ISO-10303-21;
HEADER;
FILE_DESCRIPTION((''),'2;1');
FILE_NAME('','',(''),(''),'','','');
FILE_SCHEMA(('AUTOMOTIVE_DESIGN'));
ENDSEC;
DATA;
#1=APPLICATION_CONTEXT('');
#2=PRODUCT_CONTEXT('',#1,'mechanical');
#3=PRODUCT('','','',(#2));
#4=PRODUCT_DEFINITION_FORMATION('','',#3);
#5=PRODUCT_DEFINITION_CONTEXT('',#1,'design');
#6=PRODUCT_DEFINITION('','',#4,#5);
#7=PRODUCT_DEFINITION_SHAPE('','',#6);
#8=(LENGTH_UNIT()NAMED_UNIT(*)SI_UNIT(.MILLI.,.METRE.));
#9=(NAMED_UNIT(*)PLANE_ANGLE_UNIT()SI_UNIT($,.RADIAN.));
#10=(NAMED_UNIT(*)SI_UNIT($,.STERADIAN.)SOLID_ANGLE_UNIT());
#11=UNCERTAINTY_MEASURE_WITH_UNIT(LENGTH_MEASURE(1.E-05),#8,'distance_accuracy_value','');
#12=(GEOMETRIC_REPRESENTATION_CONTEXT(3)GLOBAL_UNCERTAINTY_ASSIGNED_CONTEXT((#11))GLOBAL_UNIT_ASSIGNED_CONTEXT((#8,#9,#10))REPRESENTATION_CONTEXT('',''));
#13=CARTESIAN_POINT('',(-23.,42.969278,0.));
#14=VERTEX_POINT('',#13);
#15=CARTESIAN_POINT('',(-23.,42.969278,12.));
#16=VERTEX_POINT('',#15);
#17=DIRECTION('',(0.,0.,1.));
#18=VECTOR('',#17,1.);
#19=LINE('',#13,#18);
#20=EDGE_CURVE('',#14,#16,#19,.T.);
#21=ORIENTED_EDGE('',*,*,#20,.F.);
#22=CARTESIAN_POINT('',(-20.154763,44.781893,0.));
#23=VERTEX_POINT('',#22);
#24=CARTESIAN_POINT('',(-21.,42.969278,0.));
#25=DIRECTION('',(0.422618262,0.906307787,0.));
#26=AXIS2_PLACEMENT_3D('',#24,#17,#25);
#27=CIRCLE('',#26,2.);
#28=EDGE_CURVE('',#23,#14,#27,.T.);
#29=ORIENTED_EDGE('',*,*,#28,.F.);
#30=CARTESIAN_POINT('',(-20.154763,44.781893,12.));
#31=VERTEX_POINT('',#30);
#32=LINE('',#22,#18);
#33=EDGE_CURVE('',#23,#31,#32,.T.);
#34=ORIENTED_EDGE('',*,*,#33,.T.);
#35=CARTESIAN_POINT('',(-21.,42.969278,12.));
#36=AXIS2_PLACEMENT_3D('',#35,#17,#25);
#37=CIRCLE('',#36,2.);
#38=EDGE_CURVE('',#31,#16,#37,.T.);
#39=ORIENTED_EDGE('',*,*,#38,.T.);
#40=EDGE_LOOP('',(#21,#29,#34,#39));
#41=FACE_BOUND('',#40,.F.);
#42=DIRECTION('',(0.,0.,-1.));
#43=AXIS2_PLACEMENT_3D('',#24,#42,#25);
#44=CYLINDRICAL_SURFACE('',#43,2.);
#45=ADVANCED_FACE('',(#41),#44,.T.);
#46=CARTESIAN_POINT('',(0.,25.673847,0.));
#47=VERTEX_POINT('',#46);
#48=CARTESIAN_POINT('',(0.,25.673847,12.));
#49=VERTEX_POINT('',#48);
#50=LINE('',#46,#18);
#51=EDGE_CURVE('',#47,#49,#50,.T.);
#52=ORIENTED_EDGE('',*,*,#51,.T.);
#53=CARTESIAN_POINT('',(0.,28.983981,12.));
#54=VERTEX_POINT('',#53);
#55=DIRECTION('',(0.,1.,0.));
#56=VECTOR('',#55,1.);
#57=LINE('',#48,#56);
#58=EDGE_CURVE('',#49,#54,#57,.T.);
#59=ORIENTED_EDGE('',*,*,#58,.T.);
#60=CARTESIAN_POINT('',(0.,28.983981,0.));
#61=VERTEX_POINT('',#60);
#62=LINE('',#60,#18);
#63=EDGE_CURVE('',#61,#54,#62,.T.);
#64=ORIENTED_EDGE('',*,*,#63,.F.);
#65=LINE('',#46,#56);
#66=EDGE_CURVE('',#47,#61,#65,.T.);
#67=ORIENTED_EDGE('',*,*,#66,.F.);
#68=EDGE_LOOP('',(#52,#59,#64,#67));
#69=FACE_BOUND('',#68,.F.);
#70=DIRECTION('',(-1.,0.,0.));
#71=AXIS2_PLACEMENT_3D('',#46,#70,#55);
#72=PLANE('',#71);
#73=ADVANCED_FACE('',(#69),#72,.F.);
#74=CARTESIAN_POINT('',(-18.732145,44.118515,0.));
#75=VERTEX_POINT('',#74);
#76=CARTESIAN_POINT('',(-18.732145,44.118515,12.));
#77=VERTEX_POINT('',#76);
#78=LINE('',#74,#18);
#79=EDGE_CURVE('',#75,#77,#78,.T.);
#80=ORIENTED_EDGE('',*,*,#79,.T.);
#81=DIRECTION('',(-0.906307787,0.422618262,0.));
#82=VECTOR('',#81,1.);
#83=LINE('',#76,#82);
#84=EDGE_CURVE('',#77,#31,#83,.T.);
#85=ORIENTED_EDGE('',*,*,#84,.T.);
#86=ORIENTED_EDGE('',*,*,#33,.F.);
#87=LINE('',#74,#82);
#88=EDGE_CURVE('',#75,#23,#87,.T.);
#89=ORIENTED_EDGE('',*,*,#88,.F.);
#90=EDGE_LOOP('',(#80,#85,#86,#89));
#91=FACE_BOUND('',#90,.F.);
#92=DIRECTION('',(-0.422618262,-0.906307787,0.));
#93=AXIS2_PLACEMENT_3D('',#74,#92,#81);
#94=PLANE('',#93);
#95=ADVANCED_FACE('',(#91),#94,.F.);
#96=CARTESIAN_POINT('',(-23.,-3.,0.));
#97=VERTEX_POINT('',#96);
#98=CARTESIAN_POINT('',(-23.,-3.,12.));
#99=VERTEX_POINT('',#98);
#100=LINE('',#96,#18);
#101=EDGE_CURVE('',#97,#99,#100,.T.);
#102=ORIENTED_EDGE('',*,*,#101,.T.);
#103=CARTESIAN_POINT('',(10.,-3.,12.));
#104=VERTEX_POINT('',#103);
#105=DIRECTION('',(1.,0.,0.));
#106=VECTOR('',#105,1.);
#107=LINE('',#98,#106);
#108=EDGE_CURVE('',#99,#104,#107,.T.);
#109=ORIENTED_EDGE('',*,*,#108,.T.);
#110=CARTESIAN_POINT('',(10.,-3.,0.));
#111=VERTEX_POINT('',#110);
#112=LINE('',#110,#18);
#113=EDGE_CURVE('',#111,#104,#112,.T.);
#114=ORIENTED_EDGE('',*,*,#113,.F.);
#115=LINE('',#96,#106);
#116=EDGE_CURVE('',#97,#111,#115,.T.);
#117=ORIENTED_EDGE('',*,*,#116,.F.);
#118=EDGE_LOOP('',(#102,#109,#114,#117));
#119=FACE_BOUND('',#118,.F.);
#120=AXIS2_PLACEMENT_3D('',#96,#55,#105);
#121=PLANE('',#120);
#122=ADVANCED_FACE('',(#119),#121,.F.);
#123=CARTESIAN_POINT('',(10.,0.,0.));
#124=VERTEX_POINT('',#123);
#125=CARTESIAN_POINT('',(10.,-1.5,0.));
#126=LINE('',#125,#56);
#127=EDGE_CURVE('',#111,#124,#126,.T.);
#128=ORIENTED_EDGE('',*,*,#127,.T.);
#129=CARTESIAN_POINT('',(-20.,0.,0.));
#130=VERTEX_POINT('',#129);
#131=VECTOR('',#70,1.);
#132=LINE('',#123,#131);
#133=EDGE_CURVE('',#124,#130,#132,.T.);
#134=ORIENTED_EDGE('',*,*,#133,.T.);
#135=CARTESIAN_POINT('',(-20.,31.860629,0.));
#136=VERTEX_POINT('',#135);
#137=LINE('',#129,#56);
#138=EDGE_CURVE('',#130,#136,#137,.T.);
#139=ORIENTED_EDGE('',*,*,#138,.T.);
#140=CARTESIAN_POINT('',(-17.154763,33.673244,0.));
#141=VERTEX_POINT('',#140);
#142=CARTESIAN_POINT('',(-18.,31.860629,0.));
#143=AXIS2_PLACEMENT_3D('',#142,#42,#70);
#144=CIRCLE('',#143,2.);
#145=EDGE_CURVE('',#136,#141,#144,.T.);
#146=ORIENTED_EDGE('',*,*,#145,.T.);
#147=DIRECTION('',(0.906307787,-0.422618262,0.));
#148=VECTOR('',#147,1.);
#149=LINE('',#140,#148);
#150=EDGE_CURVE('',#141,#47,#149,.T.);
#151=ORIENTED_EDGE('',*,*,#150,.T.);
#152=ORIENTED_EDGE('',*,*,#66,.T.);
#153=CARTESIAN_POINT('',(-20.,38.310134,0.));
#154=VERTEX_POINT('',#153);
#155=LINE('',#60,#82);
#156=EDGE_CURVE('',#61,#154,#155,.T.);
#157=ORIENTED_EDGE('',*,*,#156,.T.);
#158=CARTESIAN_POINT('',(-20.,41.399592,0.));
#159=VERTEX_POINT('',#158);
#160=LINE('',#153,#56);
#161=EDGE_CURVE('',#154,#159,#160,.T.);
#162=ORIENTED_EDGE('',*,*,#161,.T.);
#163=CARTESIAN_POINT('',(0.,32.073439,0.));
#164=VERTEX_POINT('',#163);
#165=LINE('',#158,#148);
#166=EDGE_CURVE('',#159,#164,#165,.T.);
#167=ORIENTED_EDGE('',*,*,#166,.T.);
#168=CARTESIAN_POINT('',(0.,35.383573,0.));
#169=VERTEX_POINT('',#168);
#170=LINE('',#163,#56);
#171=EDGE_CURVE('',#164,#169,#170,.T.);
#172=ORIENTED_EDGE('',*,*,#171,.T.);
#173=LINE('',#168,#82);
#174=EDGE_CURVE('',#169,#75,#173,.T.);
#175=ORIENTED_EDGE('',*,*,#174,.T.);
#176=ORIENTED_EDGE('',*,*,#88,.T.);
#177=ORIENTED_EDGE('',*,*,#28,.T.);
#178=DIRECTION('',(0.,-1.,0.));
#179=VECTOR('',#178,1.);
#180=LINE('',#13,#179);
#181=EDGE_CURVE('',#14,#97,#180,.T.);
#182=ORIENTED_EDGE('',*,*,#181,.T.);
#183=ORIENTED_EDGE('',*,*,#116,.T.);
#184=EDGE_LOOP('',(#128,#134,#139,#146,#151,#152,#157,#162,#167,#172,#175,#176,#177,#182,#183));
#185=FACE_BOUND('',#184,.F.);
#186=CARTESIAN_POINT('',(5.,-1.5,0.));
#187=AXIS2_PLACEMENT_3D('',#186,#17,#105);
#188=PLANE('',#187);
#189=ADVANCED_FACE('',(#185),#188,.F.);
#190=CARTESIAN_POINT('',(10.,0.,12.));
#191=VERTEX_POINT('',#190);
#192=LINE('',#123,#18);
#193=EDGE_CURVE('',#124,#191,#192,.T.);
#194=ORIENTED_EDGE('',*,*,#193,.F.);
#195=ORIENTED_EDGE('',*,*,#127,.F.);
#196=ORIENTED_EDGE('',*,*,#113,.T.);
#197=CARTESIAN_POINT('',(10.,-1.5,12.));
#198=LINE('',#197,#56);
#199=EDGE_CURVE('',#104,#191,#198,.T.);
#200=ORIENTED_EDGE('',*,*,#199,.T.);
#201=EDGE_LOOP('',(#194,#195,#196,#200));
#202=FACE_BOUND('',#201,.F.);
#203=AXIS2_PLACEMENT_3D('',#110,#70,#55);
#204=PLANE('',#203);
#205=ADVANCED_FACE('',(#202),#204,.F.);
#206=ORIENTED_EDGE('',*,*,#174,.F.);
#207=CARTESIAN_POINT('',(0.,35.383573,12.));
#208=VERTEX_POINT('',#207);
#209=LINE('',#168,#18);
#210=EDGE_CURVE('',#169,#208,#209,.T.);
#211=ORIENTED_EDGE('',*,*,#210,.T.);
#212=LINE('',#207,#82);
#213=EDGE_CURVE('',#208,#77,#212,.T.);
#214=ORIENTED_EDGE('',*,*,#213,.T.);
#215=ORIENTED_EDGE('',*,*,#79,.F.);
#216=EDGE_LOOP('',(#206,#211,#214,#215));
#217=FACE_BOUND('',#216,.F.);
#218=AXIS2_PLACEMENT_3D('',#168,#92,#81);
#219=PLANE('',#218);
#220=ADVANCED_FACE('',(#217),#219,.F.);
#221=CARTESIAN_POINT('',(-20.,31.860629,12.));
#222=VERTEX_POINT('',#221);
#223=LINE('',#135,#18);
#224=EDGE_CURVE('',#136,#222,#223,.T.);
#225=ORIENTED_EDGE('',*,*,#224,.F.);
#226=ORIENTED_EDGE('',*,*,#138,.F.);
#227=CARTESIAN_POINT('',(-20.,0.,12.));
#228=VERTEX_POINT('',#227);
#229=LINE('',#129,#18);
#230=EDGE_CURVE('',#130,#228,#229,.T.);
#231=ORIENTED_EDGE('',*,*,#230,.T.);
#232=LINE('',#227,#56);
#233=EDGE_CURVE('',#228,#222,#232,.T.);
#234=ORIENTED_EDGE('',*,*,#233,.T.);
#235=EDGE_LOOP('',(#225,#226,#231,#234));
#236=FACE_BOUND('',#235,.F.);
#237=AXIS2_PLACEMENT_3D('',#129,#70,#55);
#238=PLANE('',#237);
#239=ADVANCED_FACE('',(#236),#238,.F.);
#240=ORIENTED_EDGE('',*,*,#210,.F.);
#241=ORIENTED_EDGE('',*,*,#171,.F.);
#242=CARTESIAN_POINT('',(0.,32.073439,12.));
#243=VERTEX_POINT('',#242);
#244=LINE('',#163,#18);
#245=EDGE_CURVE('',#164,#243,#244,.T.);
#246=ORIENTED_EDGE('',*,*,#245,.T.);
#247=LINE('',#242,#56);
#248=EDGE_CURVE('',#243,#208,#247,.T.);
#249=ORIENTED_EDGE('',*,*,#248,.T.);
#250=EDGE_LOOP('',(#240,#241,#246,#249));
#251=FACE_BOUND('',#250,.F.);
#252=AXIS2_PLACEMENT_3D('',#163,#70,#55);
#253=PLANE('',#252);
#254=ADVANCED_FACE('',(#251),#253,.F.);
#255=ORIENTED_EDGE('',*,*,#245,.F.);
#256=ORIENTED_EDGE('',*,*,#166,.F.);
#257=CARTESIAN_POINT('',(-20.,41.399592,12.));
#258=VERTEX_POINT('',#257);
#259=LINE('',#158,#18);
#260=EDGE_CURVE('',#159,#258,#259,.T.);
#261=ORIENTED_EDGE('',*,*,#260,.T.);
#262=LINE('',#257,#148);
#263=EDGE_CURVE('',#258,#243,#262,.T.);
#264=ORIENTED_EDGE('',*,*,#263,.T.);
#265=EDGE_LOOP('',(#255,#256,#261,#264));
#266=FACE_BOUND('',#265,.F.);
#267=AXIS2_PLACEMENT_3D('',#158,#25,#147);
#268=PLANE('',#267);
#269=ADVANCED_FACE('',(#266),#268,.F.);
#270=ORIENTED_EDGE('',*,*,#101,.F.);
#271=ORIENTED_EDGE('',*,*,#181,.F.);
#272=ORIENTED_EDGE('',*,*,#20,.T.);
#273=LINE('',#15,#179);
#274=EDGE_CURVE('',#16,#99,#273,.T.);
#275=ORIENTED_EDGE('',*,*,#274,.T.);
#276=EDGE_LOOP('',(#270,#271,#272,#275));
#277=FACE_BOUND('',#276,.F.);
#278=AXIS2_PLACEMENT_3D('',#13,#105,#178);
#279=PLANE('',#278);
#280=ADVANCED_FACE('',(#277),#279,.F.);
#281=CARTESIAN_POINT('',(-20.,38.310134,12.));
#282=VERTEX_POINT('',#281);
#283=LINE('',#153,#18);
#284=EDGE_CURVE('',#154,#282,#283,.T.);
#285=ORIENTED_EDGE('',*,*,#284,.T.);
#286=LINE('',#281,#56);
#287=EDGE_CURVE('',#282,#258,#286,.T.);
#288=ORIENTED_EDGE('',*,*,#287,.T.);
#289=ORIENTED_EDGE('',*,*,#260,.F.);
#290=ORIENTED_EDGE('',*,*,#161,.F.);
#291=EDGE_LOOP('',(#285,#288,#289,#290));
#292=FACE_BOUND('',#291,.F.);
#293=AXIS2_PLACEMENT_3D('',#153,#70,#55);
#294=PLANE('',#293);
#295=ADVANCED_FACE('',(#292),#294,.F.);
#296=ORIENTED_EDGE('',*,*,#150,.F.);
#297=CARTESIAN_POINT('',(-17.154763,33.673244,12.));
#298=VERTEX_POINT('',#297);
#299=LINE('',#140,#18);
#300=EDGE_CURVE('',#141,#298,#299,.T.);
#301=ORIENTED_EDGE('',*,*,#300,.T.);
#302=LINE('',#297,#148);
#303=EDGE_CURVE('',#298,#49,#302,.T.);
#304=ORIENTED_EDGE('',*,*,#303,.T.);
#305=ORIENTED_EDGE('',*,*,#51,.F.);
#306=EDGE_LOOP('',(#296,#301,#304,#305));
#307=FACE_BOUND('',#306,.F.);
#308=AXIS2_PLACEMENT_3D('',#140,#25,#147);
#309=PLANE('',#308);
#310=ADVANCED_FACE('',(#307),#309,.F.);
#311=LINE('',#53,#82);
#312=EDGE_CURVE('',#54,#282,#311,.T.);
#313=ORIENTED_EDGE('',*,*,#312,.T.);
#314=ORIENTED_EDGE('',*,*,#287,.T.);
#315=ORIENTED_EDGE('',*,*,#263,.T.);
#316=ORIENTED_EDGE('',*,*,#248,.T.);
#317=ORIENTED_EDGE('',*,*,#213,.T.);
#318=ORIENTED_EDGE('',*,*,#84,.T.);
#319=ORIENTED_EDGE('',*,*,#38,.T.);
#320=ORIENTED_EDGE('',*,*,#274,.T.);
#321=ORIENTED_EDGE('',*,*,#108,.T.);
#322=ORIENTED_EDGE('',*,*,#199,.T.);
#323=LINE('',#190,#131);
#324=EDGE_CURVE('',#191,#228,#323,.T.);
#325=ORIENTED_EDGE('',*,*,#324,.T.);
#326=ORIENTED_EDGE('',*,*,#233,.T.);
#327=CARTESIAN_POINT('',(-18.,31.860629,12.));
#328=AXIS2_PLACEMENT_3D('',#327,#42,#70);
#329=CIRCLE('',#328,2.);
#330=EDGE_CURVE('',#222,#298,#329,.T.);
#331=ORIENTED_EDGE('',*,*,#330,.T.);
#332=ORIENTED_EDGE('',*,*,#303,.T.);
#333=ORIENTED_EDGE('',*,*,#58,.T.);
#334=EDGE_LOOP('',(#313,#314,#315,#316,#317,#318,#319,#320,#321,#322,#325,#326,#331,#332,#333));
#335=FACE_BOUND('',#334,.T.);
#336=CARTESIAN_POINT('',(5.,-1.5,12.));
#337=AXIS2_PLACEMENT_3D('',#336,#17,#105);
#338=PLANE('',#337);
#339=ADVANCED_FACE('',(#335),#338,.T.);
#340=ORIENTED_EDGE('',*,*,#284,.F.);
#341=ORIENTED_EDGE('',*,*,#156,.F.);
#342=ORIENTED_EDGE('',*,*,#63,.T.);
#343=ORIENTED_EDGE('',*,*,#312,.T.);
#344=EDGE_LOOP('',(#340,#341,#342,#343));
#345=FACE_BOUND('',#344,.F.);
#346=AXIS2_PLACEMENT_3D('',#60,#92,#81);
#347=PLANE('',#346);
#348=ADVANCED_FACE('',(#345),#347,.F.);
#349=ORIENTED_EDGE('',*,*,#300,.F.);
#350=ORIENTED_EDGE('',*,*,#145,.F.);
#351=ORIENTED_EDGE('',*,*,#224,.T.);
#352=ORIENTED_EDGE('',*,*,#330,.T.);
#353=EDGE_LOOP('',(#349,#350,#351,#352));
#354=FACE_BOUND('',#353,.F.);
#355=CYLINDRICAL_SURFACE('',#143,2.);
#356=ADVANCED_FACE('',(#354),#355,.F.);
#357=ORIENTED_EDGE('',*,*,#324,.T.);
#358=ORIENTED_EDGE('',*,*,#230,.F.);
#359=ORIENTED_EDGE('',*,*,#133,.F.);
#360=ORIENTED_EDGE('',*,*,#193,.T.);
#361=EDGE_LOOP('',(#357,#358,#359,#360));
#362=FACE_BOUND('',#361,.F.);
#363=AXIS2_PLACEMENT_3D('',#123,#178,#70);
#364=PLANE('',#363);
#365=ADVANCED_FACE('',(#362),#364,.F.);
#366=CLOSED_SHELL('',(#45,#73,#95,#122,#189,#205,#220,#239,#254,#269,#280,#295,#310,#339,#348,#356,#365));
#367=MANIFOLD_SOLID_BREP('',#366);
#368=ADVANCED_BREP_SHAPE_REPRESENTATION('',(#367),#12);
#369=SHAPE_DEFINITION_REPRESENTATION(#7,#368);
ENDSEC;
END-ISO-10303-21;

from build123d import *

# Parameters (mm, degrees)
F0_W     = 10
F0_H     = 3
F2_DEPTH = 12


with BuildPart() as f2:
    # F0 (on Top) → F2 (new body)
    with BuildSketch(Plane.XY):
        with Locations((5, -1.5)):
            Rectangle(F0_W, F0_H)
        with BuildLine():
            Line((0, -3), (0, 0))
            Line((0, 0), (-20, 0))
            Line((-20, 0), (-20, 31.8606288458))
            ThreePointArc((-20, 31.8606288458), (-19.0745992167, 33.5474117374), (-17.1547634765, 33.6732444198))
            Line((-17.1547634765, 33.6732444198), (0, 25.6738468369))
            Line((0, 25.6738468369), (0, 28.9839805938))
            Line((0, 28.9839805938), (-20, 38.3101337569))
            Line((-20, 38.3101337569), (-23, 39.7090567314))
            Line((-23, 39.7090567314), (-23, -3))
            Line((-23, -3), (0, -3))
        make_face()
        with BuildLine():
            Line((-23, 39.7090567314), (-20, 38.3101337569))
            Line((-20, 38.3101337569), (-20, 41.39959193))
            Line((-20, 41.39959193), (0, 32.0734387669))
            Line((0, 32.0734387669), (0, 35.3835725238))
            Line((0, 35.3835725238), (-18.7321452148, 44.1185152911))
            Line((-18.7321452148, 44.1185152911), (-20.1547634765, 44.7818930812))
            ThreePointArc((-20.1547634765, 44.7818930812), (-22.0745992167, 44.6560603987), (-23, 42.9692775071))
            Line((-23, 42.9692775071), (-23, 39.7090567314))
        make_face()
    extrude(amount=F2_DEPTH)


solid = f2.part
